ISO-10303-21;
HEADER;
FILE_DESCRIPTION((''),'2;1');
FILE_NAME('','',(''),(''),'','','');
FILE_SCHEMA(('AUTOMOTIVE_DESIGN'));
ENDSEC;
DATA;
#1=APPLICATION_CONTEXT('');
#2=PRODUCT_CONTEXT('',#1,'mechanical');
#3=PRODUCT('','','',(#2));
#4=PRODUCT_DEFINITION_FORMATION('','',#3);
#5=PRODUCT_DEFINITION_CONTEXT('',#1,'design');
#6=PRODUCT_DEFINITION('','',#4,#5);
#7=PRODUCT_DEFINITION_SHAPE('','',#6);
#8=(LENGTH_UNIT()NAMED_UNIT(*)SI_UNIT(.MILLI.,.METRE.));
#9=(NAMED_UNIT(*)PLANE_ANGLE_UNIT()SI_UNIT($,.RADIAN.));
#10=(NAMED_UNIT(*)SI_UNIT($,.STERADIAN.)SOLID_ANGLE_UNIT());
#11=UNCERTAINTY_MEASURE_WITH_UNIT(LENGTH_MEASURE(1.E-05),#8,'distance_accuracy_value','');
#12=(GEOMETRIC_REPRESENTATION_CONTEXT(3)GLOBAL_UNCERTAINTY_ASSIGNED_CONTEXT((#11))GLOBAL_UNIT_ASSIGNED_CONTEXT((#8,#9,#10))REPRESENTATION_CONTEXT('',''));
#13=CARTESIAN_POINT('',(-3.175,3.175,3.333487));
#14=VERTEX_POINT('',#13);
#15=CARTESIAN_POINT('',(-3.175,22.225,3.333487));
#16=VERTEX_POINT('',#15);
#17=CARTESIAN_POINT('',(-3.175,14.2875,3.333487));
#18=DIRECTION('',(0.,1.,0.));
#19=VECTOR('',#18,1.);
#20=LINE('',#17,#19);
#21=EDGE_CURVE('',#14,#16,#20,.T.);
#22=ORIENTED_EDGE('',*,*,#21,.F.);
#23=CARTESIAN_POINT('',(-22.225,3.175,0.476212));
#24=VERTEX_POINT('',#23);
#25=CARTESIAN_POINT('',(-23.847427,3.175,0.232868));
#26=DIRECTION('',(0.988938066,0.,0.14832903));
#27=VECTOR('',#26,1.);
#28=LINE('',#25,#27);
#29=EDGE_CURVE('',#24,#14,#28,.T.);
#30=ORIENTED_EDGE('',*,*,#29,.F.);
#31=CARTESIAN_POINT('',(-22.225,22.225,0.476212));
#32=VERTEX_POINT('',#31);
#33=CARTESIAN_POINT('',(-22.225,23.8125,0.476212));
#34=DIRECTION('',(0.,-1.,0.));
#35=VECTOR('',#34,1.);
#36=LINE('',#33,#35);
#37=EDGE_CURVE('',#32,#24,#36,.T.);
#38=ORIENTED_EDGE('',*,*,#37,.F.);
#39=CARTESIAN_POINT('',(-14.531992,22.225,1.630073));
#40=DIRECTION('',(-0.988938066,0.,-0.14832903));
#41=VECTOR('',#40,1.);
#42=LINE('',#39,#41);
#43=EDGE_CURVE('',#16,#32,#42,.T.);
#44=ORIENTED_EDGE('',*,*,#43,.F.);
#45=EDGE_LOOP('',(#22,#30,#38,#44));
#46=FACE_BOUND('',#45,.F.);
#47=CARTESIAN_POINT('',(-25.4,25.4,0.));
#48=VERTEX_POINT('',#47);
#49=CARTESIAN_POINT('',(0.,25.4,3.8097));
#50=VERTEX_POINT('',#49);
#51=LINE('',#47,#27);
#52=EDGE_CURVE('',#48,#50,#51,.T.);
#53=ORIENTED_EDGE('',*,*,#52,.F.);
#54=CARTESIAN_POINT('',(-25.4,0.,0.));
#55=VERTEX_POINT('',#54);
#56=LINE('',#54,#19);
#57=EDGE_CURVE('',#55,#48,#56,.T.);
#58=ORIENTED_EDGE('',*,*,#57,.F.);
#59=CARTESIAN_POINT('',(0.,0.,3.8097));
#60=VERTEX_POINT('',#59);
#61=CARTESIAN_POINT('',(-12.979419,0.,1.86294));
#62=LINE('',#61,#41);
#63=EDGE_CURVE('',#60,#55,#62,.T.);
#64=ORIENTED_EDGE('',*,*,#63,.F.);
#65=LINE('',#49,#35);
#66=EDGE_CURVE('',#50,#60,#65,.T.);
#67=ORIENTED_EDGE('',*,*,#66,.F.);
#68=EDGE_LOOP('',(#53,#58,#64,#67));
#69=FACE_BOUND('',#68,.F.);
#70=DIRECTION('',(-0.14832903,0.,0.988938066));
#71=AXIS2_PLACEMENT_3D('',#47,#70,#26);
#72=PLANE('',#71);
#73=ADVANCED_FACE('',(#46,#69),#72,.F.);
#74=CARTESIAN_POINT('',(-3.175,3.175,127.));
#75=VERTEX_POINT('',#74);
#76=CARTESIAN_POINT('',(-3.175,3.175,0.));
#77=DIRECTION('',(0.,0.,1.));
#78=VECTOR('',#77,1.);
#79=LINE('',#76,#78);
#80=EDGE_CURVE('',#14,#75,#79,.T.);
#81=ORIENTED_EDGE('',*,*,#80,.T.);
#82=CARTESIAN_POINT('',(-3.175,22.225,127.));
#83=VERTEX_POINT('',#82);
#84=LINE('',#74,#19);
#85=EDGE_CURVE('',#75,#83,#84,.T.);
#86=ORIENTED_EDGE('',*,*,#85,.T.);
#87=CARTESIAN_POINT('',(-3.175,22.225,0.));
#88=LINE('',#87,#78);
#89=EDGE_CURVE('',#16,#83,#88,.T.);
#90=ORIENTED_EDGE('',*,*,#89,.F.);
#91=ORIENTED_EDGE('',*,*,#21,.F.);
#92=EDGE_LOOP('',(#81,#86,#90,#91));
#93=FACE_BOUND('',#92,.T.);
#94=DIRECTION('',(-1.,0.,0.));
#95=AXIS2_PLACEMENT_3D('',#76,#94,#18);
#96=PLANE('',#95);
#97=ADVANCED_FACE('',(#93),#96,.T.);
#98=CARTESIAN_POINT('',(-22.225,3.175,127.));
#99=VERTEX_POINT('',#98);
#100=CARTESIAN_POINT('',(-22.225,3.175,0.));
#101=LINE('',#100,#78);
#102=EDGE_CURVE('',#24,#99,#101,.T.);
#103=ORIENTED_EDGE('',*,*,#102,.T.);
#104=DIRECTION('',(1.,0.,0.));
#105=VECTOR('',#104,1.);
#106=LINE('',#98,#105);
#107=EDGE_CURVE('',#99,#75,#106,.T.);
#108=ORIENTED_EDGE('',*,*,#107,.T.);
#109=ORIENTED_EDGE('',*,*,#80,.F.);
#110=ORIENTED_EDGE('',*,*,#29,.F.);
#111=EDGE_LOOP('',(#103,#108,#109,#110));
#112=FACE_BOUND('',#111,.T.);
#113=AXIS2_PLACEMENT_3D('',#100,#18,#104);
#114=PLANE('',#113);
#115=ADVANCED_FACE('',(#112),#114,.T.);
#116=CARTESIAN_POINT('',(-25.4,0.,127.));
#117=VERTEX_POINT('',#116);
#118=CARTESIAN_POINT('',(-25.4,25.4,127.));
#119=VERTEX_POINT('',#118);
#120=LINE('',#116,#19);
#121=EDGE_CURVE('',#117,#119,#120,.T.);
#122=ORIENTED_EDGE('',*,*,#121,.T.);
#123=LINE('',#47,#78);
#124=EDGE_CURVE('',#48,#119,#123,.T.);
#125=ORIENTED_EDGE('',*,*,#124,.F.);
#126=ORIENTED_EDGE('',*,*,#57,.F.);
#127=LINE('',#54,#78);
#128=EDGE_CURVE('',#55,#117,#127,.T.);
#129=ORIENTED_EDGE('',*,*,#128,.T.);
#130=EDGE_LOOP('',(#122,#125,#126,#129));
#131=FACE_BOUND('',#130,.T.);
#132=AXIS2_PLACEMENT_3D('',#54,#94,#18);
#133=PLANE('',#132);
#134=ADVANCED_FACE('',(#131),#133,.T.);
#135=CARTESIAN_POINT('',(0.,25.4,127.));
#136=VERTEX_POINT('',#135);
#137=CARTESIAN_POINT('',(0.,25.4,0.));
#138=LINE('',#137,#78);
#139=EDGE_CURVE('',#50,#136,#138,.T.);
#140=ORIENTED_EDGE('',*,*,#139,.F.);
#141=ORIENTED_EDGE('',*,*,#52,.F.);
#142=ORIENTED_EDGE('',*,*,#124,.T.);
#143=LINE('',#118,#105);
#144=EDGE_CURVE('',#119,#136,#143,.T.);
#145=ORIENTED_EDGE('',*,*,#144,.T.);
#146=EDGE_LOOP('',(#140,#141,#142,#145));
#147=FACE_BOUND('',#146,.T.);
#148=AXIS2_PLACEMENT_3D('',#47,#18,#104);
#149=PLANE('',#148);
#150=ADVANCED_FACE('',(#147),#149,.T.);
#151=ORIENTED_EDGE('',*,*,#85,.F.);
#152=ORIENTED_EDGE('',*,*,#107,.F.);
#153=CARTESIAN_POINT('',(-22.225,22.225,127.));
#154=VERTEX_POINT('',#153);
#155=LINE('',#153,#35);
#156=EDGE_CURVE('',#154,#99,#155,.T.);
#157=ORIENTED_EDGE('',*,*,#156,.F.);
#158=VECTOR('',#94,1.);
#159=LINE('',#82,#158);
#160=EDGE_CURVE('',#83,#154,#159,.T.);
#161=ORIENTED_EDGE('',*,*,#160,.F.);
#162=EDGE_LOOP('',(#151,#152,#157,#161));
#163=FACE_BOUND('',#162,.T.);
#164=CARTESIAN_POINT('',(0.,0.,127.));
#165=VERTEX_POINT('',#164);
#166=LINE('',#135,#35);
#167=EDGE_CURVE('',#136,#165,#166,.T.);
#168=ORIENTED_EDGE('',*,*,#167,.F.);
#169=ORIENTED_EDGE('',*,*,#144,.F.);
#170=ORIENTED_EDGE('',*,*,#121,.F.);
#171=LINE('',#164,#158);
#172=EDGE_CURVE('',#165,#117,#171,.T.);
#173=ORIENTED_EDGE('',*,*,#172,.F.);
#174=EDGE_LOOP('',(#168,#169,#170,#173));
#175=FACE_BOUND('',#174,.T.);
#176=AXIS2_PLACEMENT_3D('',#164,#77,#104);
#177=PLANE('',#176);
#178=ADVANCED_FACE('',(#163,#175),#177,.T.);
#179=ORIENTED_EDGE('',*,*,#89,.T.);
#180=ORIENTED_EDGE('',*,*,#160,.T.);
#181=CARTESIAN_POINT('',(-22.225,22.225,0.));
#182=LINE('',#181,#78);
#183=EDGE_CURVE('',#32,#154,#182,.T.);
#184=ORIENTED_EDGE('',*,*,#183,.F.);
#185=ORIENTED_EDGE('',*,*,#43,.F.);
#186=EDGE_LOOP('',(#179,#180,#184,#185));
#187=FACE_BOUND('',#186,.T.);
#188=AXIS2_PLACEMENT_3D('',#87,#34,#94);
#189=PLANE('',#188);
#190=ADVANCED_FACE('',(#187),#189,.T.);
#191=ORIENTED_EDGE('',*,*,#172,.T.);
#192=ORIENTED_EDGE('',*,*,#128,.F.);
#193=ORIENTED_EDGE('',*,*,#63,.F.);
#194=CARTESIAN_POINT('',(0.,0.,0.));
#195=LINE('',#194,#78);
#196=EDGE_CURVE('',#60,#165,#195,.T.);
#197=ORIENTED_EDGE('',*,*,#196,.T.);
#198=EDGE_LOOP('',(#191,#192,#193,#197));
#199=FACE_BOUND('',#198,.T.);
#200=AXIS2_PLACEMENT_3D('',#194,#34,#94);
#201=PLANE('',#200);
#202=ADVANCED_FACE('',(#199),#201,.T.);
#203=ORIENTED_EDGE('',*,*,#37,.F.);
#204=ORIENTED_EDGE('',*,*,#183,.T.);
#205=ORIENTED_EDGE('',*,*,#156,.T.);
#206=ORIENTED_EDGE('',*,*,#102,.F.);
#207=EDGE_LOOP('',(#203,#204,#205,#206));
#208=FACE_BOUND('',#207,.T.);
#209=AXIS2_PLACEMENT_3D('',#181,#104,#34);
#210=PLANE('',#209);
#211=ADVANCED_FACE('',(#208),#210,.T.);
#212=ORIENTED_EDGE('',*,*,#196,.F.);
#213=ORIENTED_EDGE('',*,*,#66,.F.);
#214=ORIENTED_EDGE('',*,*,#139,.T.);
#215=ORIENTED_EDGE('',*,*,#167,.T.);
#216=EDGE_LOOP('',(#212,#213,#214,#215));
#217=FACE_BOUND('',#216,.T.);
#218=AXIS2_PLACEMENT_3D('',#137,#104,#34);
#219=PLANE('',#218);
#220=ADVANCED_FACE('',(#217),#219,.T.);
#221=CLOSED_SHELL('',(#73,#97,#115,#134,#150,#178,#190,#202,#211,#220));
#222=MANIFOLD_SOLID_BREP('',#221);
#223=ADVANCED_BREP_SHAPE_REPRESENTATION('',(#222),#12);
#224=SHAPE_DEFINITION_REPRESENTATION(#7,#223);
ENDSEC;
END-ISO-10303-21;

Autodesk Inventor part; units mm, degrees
ref_plane "YZ Plane" through (0, 0, 0) normal (1, 0, 0) x (0, 1, 0)
ref_plane "XZ Plane" through (0, 0, 0) normal (0, 1, 0) x (-1, 0, 0)
ref_plane "XY Plane" through (0, 0, 0) normal (0, 0, 1) x (1, 0, 0)
sketch "Sketch1" plane through (0, 0, 0) normal (0, 0, 1) x (1, 0, 0)
  line L0 (0, 0) -> (-25.4, 0)
  line L1 (-25.4, 0) -> (-25.4, 25.4)
  line L2 (-25.4, 25.4) -> (0, 25.4)
  line L3 (0, 25.4) -> (0, 0)
  line L4 (-3.175, 22.225) -> (-22.225, 22.225)
  line L5 (-22.225, 22.225) -> (-22.225, 3.175)
  line L6 (-22.225, 3.175) -> (-3.175, 3.175)
  line L7 (-3.175, 3.175) -> (-3.175, 22.225)
  dimension "d0" = 25.4
  dimension "d1" = 25.4
  dimension "d2" = 3.175
extrude "Extrusion1" add sketch "Sketch1" along normal blind 127
sketch "Sketch2" plane through (-25.4, 25.4, 0) normal (0, 1, 0) x (1, 0, 0)
  line L0 (0, 0) -> (25.4, 0) projected
  line L1 (25.4, 0) -> (25.4, -127) projected
  line L2 (0, 0) -> (25.4, -3.8097)
  dimension "d5" = 8.53
extrude "Extrusion2" cut sketch "Sketch2" against normal blind 127
